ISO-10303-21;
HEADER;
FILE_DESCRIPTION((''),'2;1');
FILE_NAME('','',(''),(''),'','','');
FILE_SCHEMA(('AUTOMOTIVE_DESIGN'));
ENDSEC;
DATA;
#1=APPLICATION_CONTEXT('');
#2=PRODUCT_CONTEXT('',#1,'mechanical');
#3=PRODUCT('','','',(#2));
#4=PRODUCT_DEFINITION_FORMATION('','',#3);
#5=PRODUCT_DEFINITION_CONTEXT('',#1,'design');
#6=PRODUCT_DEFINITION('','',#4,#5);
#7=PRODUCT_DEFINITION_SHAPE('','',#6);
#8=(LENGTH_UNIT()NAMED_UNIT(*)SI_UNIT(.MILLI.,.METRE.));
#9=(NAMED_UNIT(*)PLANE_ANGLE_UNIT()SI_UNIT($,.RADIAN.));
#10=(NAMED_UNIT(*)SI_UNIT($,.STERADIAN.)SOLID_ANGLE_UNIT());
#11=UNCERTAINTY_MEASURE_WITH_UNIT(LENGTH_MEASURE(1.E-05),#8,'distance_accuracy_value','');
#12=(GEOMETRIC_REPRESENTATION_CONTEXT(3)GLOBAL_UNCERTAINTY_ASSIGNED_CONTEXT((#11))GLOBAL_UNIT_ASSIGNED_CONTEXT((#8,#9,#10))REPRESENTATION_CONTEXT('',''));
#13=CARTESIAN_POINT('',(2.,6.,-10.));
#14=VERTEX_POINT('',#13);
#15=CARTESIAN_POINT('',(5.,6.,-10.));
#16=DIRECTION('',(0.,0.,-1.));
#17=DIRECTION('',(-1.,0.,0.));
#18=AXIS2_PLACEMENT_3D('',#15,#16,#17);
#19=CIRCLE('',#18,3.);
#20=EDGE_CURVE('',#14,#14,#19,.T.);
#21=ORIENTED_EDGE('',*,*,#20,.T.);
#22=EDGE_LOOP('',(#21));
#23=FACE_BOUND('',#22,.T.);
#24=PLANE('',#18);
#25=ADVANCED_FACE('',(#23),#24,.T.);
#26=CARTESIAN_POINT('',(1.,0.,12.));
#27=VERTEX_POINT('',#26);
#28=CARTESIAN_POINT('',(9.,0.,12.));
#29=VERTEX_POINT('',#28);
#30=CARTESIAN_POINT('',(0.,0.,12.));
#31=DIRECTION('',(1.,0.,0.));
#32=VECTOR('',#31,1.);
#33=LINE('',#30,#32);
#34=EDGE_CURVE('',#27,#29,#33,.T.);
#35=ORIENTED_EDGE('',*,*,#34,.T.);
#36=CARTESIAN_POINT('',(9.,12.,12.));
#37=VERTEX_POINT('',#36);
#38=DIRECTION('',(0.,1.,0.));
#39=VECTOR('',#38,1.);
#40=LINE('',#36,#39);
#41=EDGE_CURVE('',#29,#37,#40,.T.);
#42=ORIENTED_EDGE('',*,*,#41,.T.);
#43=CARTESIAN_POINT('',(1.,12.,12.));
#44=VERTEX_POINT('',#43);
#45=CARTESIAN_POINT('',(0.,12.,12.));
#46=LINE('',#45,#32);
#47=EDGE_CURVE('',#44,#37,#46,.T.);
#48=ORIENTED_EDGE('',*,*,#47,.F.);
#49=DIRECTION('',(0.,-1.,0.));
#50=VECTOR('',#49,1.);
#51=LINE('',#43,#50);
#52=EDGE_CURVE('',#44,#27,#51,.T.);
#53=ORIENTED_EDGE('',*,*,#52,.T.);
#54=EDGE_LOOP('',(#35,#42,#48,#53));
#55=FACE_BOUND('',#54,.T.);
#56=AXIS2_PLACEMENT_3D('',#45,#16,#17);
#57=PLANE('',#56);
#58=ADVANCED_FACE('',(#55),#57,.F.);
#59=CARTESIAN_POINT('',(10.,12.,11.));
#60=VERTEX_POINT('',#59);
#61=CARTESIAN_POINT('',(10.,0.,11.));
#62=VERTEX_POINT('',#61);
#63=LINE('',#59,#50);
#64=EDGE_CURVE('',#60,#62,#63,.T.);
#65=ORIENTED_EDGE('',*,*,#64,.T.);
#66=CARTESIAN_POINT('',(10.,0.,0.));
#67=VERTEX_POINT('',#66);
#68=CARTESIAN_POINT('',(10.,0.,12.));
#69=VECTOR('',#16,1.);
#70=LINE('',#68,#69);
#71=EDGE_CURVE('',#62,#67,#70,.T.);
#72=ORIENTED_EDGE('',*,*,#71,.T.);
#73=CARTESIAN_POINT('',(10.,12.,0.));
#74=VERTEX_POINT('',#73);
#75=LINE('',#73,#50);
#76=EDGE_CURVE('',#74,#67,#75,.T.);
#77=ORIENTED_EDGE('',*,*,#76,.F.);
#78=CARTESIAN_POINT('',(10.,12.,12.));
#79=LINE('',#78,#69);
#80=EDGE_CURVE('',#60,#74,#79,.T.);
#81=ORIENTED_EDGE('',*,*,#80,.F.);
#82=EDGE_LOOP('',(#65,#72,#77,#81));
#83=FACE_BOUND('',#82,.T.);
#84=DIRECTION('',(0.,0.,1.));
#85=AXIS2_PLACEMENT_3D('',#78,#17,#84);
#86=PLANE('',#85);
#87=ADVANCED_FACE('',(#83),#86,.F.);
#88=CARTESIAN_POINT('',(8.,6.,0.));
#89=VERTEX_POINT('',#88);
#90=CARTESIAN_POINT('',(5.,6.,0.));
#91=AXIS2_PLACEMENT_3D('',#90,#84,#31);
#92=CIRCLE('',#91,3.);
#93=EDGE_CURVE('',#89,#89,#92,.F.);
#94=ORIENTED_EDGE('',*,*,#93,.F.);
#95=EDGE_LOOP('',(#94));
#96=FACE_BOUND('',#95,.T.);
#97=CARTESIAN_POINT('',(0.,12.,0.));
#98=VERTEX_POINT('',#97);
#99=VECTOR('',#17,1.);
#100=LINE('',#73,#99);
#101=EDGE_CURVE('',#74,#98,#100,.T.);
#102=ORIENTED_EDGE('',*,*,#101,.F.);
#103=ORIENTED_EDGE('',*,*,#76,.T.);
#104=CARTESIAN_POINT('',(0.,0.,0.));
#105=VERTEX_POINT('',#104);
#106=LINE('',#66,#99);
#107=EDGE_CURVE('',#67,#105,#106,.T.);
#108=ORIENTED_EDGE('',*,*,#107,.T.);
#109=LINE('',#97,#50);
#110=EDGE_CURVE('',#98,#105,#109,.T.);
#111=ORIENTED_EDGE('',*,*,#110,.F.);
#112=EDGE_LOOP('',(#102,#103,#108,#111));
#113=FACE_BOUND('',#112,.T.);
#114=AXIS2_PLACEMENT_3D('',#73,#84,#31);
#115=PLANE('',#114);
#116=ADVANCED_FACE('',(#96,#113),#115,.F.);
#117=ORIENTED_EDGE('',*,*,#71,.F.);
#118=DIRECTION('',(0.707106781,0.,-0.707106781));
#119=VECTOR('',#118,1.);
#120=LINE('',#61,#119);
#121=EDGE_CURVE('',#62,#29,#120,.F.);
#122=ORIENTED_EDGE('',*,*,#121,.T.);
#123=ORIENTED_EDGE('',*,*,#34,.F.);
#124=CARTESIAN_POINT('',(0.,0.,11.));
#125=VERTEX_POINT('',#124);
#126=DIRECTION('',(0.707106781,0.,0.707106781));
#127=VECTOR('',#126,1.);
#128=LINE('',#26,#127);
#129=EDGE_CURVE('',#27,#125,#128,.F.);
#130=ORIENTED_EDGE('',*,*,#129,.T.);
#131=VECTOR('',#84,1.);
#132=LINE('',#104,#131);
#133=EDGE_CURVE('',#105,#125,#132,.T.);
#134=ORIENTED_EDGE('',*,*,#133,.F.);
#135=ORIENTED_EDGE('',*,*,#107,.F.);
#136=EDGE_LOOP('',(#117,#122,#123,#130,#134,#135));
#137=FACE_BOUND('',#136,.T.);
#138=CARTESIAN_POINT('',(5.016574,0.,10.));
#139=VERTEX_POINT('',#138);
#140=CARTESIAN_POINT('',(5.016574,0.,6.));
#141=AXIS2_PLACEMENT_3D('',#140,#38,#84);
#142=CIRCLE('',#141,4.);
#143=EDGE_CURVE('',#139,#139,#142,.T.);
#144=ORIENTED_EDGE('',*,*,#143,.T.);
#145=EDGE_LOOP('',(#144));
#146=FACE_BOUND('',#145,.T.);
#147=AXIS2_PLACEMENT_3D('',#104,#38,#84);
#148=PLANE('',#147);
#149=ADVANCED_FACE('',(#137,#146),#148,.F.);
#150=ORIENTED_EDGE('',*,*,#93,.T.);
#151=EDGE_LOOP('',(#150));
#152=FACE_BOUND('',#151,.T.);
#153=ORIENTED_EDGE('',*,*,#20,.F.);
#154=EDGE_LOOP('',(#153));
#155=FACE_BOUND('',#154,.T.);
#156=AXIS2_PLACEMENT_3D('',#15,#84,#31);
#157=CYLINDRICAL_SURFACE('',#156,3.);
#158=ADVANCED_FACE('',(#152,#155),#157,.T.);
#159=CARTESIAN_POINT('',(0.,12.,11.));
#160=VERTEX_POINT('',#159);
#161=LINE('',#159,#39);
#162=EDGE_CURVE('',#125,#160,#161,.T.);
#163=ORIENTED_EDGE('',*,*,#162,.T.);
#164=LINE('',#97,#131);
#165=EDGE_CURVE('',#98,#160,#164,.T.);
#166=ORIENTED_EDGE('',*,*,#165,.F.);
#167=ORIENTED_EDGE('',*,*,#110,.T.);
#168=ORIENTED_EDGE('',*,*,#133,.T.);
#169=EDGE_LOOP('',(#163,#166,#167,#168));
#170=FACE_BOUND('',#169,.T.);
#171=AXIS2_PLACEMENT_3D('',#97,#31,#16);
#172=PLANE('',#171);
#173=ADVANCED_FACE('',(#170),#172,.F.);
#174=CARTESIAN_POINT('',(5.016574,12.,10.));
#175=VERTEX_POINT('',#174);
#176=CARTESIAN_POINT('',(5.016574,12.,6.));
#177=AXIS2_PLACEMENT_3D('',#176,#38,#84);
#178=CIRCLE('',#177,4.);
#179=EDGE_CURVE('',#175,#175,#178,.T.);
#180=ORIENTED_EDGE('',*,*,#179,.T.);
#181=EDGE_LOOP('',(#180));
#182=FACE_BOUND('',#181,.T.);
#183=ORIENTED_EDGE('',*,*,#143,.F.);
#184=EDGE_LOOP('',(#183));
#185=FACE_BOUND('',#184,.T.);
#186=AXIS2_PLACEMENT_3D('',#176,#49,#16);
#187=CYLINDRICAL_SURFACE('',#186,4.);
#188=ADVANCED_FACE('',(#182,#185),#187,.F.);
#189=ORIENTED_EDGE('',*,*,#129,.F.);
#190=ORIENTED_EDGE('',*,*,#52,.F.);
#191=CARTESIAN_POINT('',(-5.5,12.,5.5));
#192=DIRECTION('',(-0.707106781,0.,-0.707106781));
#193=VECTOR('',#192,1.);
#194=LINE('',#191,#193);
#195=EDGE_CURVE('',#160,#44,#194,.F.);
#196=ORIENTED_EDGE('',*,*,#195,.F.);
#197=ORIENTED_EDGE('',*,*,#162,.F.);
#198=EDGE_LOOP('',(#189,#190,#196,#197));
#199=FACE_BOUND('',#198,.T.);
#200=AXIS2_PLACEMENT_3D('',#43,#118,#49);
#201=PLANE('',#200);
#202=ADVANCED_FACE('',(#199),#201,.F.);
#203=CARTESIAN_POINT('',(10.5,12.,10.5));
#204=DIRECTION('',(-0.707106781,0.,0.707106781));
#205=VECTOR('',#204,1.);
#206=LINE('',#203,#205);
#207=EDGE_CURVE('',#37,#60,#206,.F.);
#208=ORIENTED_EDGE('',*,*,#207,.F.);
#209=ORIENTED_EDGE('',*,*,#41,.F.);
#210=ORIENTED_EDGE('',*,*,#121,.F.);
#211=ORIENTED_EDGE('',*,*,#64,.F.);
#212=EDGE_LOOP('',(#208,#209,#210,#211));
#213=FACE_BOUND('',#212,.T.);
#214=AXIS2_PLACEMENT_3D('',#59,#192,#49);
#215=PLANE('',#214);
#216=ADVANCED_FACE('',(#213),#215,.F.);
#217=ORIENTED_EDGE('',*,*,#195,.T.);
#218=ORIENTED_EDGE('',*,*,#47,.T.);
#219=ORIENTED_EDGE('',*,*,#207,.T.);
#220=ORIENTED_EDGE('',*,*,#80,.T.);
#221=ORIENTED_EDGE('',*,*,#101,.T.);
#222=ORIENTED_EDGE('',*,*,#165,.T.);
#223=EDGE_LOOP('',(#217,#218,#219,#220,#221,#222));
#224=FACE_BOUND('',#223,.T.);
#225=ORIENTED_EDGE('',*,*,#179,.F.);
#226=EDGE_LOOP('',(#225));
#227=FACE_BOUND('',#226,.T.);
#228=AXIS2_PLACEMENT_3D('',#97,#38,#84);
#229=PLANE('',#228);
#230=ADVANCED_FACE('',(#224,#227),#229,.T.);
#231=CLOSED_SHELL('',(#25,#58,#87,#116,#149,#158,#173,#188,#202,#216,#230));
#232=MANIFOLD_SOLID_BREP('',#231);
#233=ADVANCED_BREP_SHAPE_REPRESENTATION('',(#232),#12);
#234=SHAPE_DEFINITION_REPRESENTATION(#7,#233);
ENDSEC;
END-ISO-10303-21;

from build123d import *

# Parameters (mm, degrees)
CROQUIS1_W              = 10
CROQUIS1_H              = 12
CROQUIS1_R              = 4
SALIENTE_EXTRUIR1_DEPTH = 12
CHAFL_N1_SIZE           = 1
CROQUIS2_R              = 3
SALIENTE_EXTRUIR2_DEPTH = 10


with BuildPart() as part:
    # Croquis1 → Saliente-Extruir1 (new body)
    with BuildSketch(Plane(origin=(0, 0, 0), x_dir=(1, 0, 0), z_dir=(0, 1, 0))):
        with Locations((5, -6)):
            Rectangle(CROQUIS1_W, CROQUIS1_H)
        with Locations((5.016573561, -6)):
            Circle(CROQUIS1_R, mode=Mode.SUBTRACT)
    extrude(amount=SALIENTE_EXTRUIR1_DEPTH)

    # Chaflán1
    chafl_n1_edges = [part.edges().sort_by_distance(p)[0] for p in [
        (10, 6, 12),
        (0, 6, 12),
    ]]
    chamfer(chafl_n1_edges, length=CHAFL_N1_SIZE)

    # Croquis2 → Saliente-Extruir2 (add)
    with BuildSketch(Plane(origin=(0, 0, 0), x_dir=(-1, 0, 0), z_dir=(0, 0, -1))):
        with Locations((-5, 6)):
            Circle(CROQUIS2_R)
    extrude(amount=SALIENTE_EXTRUIR2_DEPTH)


solid = part.part
